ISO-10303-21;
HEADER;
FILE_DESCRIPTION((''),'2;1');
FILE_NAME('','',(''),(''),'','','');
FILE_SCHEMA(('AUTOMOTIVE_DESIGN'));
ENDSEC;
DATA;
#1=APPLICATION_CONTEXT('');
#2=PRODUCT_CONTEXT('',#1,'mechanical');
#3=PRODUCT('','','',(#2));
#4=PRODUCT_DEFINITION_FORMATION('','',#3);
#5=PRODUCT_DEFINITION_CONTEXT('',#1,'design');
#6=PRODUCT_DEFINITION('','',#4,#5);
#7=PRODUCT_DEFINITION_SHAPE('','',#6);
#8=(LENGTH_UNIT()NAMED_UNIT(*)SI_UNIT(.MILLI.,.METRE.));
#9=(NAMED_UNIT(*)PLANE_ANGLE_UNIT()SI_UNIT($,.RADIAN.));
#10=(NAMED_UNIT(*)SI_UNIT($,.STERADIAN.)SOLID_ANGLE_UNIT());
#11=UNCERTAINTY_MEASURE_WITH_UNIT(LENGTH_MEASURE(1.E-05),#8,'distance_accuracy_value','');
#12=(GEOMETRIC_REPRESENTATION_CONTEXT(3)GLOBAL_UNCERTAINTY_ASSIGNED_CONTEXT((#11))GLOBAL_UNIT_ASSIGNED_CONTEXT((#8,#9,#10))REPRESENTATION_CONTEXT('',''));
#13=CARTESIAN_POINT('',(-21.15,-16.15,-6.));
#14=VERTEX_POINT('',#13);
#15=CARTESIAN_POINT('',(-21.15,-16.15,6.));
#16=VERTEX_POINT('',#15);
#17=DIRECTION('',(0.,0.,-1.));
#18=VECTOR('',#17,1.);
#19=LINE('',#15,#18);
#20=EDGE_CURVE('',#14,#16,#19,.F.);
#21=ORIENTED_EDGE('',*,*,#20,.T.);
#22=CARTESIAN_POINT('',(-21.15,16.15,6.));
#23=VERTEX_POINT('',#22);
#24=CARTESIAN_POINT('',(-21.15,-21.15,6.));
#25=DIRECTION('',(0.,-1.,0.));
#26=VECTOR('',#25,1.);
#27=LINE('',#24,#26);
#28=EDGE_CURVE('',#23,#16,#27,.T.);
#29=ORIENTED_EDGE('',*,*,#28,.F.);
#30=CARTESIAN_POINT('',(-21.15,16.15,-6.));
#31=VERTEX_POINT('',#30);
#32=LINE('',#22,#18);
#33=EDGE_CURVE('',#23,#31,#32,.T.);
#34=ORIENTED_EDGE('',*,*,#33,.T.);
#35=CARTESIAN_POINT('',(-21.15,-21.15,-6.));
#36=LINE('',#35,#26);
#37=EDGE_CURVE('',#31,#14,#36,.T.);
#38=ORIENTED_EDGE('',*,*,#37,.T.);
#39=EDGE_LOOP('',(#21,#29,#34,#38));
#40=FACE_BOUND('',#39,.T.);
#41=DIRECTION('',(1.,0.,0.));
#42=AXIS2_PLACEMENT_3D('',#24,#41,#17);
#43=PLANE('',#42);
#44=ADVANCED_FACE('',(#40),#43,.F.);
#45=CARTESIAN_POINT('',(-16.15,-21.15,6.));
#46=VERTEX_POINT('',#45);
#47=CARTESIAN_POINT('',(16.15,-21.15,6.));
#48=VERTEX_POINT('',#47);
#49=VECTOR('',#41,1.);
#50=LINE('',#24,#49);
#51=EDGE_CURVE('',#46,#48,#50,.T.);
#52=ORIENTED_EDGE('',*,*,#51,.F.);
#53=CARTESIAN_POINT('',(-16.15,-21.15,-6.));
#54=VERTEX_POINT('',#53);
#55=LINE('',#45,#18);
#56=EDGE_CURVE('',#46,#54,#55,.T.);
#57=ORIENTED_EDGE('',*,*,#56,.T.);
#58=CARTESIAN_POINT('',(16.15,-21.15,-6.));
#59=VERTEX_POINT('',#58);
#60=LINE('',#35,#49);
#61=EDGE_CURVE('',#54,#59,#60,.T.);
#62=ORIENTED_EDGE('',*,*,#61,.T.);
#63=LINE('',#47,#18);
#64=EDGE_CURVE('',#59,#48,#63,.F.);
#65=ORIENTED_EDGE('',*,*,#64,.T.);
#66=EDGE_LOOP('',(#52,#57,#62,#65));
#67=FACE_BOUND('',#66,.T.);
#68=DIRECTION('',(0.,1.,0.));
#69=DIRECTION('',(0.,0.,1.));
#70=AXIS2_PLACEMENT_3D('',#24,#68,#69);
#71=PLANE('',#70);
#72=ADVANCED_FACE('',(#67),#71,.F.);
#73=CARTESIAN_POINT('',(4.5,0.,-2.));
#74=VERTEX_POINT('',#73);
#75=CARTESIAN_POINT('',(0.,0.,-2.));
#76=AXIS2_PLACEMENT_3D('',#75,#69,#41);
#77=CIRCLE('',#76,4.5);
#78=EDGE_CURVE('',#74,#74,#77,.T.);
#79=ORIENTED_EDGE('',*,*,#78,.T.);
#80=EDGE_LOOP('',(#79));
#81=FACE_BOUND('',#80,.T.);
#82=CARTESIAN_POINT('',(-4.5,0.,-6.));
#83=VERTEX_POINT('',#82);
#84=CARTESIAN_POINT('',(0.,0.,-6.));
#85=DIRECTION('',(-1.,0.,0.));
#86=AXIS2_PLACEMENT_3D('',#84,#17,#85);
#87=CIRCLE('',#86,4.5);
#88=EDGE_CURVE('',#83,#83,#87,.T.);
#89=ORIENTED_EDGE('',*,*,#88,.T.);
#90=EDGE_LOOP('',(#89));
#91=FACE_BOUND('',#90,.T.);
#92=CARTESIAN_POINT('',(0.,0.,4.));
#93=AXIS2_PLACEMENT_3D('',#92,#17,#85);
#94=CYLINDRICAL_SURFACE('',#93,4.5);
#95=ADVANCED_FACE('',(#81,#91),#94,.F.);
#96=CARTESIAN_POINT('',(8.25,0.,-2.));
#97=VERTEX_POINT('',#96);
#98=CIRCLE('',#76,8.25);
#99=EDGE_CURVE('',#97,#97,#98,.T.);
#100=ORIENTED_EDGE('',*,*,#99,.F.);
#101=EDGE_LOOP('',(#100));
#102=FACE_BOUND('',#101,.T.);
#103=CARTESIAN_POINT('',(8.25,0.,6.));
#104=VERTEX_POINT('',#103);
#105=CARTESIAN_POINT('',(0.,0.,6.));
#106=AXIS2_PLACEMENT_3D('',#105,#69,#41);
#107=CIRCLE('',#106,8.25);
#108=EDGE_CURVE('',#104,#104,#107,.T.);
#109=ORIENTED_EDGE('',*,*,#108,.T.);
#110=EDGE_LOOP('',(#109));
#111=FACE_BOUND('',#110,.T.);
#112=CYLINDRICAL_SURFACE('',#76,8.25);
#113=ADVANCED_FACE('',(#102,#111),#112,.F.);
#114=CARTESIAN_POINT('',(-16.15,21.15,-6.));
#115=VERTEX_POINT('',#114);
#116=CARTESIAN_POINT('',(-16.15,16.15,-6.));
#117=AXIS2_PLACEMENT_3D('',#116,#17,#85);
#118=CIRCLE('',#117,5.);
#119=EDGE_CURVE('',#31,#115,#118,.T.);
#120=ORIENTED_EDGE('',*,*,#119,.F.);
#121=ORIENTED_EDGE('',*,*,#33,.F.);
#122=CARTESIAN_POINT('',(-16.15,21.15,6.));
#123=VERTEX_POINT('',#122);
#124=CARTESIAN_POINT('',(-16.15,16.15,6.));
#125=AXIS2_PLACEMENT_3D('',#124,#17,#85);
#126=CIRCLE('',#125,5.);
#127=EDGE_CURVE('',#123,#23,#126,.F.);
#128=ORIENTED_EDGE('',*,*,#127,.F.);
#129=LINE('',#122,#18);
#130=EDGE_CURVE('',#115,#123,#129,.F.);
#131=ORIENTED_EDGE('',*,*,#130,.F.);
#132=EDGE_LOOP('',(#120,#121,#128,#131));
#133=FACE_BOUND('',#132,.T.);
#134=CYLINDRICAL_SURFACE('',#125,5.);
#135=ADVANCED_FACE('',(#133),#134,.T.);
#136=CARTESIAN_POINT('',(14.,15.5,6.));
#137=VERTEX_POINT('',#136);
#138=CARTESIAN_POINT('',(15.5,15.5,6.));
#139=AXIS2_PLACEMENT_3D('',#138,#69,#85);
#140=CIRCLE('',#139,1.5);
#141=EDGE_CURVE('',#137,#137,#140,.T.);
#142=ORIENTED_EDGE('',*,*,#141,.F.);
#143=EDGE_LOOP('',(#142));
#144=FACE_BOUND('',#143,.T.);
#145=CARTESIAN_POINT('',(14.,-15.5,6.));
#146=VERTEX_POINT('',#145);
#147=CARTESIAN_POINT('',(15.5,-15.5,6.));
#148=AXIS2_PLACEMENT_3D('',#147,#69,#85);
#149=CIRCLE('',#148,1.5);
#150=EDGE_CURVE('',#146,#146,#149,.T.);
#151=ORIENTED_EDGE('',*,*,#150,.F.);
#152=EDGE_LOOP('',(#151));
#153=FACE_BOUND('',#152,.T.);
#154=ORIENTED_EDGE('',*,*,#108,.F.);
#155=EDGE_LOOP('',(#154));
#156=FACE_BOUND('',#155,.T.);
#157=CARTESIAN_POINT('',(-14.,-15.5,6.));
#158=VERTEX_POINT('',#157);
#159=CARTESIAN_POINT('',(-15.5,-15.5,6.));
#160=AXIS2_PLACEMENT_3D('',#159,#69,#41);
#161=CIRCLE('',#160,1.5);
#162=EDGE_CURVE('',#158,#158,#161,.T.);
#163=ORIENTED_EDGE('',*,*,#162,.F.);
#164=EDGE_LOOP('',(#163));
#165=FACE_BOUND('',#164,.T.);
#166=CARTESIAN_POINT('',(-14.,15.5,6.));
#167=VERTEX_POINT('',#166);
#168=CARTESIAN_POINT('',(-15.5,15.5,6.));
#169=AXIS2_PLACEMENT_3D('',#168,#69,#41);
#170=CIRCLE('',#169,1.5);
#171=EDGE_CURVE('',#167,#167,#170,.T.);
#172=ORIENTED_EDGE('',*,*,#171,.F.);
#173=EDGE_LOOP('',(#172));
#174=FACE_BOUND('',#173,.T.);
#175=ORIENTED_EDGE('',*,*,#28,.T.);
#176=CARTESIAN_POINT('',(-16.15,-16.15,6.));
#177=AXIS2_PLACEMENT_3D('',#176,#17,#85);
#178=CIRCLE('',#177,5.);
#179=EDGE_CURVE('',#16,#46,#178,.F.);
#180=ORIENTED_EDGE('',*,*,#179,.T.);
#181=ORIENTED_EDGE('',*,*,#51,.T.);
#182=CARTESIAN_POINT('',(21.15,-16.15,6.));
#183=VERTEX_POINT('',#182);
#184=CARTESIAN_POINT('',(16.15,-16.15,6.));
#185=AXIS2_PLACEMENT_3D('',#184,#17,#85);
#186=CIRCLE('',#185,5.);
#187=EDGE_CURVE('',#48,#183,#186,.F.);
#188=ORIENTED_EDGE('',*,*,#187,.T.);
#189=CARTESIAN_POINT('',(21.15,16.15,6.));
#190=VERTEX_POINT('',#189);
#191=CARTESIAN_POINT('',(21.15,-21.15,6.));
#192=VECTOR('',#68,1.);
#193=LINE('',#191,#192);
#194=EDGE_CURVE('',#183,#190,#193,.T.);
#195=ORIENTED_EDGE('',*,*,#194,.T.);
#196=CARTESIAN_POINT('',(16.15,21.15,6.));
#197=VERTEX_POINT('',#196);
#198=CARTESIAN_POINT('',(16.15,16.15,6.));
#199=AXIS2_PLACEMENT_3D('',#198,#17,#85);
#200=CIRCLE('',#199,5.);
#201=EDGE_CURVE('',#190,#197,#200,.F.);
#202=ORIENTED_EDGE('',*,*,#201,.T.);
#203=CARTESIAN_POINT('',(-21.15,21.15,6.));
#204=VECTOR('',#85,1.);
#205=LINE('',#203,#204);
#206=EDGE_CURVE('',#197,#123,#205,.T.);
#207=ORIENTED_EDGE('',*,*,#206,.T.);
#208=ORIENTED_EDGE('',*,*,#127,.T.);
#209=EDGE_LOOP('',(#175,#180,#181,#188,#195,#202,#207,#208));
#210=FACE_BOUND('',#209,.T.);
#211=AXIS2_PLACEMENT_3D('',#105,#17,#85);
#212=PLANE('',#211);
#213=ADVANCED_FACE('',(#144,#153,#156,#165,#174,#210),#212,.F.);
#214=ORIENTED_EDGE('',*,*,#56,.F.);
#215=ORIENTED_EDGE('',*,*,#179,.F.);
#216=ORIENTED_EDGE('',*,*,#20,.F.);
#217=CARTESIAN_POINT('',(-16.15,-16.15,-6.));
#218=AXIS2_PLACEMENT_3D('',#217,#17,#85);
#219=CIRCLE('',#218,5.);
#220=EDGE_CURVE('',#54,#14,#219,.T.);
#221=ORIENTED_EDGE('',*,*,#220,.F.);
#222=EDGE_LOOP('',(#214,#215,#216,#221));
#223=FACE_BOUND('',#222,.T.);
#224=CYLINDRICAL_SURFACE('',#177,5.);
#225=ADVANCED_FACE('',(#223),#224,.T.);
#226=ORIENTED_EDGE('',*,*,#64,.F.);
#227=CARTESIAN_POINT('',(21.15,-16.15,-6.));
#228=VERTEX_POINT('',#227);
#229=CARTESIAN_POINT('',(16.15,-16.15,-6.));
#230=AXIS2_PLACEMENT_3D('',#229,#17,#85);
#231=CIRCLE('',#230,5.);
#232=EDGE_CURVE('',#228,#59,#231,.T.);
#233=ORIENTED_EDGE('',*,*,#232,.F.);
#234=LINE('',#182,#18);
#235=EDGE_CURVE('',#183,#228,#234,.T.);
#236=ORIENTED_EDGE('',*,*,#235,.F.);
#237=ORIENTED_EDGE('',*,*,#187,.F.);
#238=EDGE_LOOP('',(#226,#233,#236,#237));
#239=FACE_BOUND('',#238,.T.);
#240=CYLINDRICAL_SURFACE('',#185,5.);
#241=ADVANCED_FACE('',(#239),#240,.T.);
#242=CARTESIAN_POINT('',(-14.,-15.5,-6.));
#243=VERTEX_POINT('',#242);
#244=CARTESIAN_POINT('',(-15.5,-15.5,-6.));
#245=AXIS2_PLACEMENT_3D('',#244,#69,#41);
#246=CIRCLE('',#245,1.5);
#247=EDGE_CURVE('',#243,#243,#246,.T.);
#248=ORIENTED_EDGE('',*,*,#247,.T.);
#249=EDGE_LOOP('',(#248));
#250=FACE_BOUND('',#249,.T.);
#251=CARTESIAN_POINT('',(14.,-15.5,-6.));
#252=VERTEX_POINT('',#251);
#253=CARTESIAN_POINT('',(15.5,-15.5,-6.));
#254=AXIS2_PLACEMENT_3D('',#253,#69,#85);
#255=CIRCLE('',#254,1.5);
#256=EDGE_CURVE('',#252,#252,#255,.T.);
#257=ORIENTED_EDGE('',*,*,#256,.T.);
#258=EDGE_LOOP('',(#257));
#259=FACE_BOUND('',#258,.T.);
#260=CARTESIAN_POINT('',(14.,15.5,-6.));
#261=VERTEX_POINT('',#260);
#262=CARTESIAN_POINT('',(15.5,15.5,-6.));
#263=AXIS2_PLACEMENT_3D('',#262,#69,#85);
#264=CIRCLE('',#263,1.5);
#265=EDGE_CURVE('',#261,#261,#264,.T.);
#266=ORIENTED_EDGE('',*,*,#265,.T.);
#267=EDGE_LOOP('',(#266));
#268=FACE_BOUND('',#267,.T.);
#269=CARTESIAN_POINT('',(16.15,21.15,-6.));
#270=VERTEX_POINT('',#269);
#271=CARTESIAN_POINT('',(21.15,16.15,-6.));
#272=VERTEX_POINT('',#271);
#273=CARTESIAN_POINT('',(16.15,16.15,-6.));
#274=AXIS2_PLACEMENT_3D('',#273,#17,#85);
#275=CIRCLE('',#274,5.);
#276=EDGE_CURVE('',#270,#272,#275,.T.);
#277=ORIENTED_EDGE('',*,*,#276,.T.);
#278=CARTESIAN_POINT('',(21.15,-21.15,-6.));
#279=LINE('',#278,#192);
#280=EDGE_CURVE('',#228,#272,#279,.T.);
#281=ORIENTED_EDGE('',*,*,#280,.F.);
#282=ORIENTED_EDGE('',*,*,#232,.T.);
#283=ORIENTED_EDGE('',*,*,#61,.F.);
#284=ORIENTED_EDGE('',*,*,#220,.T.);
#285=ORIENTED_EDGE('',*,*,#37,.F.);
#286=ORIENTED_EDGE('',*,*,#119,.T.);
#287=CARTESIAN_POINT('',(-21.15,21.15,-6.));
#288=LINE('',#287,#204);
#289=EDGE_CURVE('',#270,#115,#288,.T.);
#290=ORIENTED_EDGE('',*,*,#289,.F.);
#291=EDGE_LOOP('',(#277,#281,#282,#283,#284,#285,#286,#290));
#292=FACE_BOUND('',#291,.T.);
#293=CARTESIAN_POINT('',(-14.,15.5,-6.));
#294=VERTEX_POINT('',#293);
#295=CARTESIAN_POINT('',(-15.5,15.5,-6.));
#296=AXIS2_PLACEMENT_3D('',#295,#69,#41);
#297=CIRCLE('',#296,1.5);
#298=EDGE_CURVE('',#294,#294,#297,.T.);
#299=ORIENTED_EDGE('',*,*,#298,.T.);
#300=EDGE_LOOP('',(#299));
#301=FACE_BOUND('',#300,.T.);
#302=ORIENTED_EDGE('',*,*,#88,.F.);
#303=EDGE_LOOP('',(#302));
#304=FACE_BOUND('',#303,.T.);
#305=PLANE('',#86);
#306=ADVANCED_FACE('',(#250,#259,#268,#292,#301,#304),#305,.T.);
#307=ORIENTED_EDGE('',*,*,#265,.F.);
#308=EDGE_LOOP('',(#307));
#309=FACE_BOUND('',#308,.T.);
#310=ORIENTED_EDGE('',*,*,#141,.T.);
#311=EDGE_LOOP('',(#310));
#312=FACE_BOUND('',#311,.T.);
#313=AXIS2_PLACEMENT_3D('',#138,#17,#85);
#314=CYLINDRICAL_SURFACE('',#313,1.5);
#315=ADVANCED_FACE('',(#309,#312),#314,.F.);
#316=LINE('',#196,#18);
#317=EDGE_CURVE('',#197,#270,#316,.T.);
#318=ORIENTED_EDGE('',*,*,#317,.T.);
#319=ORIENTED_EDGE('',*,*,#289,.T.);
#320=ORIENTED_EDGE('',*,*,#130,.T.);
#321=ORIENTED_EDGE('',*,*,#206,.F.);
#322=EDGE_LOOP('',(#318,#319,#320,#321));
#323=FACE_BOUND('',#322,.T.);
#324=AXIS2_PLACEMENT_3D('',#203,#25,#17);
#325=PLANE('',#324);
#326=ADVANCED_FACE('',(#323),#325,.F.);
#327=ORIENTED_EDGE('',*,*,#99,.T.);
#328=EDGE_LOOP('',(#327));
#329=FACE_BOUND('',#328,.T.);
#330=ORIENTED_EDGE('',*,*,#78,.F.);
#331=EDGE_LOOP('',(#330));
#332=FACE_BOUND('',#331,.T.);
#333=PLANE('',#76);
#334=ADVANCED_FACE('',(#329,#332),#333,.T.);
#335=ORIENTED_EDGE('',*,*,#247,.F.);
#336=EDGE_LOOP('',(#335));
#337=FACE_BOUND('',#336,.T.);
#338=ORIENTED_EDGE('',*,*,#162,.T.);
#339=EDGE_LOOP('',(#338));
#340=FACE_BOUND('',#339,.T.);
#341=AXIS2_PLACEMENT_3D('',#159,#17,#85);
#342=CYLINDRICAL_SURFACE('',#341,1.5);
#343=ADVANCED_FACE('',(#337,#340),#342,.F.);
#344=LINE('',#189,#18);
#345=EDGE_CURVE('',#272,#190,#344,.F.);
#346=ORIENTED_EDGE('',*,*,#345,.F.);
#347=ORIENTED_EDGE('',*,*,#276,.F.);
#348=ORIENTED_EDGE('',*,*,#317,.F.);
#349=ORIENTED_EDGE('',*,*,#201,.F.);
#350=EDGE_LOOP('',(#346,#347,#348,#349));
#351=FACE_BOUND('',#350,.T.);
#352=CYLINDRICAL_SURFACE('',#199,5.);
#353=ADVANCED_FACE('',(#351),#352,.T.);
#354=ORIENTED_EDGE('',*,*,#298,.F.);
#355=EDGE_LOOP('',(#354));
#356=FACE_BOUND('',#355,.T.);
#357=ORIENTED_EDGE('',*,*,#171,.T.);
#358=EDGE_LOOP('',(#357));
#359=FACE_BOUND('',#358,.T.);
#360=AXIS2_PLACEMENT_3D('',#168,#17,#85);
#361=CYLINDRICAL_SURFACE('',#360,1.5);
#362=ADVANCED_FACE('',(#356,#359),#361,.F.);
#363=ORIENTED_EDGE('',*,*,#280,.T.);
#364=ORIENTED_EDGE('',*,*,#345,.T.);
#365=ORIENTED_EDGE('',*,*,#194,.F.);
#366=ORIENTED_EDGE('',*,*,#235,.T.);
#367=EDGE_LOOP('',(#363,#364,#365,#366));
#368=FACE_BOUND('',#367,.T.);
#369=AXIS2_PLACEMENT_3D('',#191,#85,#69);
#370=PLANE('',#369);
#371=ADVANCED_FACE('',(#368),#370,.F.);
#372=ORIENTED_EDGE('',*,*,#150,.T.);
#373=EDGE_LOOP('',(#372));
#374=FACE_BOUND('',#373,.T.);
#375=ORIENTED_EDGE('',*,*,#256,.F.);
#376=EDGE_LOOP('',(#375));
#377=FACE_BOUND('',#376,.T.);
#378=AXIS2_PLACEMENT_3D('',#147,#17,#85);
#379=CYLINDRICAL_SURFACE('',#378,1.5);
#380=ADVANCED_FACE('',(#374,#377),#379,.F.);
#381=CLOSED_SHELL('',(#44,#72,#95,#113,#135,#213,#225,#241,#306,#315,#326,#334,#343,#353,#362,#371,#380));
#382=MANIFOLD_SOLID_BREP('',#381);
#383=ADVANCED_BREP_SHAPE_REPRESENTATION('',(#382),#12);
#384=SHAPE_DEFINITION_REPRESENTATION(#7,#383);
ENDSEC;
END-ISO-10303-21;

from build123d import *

# Parameters (mm, degrees)
CROQUIS1_W              = 42.3
CROQUIS1_H              = 42.3
CROQUIS1_R              = 1.5
SALIENTE_EXTRUIR1_DEPTH = 6
REDONDEO1_R             = 5
CROQUIS2_R              = 8.25
CORTAR_EXTRUIR1_DEPTH   = 8
CROQUIS3_R              = 4.5
CORTAR_EXTRUIR2_DEPTH   = 10


with BuildPart() as part:
    # Croquis1 → Saliente-Extruir1 (new, symmetric)
    with BuildSketch(Plane.XY):
        Rectangle(CROQUIS1_W, CROQUIS1_H)
        with Locations((-15.5, 15.5)):
            Circle(CROQUIS1_R, mode=Mode.SUBTRACT)
        with Locations((-15.5, -15.5)):
            Circle(CROQUIS1_R, mode=Mode.SUBTRACT)
        with Locations(Location((15.5, -15.5, 0), (0, 0, 180))):
            Circle(CROQUIS1_R, mode=Mode.SUBTRACT)
        with Locations(Location((15.5, 15.5, 0), (0, 0, 180))):
            Circle(CROQUIS1_R, mode=Mode.SUBTRACT)
    extrude(amount=SALIENTE_EXTRUIR1_DEPTH, both=True)

    # Redondeo1
    redondeo1_edges = [part.edges().sort_by_distance(p)[0] for p in [
        (21.15, -21.15, 0),
        (-21.15, -21.15, 0),
        (-21.15, 21.15, 0),
        (21.15, 21.15, 0),
    ]]
    fillet(redondeo1_edges, radius=REDONDEO1_R)

    # Croquis2 → Cortar-Extruir1 (cut)
    with BuildSketch(Plane.XY.offset(6)):
        Circle(CROQUIS2_R)
    extrude(amount=-CORTAR_EXTRUIR1_DEPTH, mode=Mode.SUBTRACT)

    # Croquis3 → Cortar-Extruir2 (cut)
    with BuildSketch(Plane(origin=(0, 0, -6), x_dir=(-1, 0, 0), z_dir=(0, 0, -1))):
        Circle(CROQUIS3_R)
    extrude(amount=-CORTAR_EXTRUIR2_DEPTH, mode=Mode.SUBTRACT)


solid = part.part
